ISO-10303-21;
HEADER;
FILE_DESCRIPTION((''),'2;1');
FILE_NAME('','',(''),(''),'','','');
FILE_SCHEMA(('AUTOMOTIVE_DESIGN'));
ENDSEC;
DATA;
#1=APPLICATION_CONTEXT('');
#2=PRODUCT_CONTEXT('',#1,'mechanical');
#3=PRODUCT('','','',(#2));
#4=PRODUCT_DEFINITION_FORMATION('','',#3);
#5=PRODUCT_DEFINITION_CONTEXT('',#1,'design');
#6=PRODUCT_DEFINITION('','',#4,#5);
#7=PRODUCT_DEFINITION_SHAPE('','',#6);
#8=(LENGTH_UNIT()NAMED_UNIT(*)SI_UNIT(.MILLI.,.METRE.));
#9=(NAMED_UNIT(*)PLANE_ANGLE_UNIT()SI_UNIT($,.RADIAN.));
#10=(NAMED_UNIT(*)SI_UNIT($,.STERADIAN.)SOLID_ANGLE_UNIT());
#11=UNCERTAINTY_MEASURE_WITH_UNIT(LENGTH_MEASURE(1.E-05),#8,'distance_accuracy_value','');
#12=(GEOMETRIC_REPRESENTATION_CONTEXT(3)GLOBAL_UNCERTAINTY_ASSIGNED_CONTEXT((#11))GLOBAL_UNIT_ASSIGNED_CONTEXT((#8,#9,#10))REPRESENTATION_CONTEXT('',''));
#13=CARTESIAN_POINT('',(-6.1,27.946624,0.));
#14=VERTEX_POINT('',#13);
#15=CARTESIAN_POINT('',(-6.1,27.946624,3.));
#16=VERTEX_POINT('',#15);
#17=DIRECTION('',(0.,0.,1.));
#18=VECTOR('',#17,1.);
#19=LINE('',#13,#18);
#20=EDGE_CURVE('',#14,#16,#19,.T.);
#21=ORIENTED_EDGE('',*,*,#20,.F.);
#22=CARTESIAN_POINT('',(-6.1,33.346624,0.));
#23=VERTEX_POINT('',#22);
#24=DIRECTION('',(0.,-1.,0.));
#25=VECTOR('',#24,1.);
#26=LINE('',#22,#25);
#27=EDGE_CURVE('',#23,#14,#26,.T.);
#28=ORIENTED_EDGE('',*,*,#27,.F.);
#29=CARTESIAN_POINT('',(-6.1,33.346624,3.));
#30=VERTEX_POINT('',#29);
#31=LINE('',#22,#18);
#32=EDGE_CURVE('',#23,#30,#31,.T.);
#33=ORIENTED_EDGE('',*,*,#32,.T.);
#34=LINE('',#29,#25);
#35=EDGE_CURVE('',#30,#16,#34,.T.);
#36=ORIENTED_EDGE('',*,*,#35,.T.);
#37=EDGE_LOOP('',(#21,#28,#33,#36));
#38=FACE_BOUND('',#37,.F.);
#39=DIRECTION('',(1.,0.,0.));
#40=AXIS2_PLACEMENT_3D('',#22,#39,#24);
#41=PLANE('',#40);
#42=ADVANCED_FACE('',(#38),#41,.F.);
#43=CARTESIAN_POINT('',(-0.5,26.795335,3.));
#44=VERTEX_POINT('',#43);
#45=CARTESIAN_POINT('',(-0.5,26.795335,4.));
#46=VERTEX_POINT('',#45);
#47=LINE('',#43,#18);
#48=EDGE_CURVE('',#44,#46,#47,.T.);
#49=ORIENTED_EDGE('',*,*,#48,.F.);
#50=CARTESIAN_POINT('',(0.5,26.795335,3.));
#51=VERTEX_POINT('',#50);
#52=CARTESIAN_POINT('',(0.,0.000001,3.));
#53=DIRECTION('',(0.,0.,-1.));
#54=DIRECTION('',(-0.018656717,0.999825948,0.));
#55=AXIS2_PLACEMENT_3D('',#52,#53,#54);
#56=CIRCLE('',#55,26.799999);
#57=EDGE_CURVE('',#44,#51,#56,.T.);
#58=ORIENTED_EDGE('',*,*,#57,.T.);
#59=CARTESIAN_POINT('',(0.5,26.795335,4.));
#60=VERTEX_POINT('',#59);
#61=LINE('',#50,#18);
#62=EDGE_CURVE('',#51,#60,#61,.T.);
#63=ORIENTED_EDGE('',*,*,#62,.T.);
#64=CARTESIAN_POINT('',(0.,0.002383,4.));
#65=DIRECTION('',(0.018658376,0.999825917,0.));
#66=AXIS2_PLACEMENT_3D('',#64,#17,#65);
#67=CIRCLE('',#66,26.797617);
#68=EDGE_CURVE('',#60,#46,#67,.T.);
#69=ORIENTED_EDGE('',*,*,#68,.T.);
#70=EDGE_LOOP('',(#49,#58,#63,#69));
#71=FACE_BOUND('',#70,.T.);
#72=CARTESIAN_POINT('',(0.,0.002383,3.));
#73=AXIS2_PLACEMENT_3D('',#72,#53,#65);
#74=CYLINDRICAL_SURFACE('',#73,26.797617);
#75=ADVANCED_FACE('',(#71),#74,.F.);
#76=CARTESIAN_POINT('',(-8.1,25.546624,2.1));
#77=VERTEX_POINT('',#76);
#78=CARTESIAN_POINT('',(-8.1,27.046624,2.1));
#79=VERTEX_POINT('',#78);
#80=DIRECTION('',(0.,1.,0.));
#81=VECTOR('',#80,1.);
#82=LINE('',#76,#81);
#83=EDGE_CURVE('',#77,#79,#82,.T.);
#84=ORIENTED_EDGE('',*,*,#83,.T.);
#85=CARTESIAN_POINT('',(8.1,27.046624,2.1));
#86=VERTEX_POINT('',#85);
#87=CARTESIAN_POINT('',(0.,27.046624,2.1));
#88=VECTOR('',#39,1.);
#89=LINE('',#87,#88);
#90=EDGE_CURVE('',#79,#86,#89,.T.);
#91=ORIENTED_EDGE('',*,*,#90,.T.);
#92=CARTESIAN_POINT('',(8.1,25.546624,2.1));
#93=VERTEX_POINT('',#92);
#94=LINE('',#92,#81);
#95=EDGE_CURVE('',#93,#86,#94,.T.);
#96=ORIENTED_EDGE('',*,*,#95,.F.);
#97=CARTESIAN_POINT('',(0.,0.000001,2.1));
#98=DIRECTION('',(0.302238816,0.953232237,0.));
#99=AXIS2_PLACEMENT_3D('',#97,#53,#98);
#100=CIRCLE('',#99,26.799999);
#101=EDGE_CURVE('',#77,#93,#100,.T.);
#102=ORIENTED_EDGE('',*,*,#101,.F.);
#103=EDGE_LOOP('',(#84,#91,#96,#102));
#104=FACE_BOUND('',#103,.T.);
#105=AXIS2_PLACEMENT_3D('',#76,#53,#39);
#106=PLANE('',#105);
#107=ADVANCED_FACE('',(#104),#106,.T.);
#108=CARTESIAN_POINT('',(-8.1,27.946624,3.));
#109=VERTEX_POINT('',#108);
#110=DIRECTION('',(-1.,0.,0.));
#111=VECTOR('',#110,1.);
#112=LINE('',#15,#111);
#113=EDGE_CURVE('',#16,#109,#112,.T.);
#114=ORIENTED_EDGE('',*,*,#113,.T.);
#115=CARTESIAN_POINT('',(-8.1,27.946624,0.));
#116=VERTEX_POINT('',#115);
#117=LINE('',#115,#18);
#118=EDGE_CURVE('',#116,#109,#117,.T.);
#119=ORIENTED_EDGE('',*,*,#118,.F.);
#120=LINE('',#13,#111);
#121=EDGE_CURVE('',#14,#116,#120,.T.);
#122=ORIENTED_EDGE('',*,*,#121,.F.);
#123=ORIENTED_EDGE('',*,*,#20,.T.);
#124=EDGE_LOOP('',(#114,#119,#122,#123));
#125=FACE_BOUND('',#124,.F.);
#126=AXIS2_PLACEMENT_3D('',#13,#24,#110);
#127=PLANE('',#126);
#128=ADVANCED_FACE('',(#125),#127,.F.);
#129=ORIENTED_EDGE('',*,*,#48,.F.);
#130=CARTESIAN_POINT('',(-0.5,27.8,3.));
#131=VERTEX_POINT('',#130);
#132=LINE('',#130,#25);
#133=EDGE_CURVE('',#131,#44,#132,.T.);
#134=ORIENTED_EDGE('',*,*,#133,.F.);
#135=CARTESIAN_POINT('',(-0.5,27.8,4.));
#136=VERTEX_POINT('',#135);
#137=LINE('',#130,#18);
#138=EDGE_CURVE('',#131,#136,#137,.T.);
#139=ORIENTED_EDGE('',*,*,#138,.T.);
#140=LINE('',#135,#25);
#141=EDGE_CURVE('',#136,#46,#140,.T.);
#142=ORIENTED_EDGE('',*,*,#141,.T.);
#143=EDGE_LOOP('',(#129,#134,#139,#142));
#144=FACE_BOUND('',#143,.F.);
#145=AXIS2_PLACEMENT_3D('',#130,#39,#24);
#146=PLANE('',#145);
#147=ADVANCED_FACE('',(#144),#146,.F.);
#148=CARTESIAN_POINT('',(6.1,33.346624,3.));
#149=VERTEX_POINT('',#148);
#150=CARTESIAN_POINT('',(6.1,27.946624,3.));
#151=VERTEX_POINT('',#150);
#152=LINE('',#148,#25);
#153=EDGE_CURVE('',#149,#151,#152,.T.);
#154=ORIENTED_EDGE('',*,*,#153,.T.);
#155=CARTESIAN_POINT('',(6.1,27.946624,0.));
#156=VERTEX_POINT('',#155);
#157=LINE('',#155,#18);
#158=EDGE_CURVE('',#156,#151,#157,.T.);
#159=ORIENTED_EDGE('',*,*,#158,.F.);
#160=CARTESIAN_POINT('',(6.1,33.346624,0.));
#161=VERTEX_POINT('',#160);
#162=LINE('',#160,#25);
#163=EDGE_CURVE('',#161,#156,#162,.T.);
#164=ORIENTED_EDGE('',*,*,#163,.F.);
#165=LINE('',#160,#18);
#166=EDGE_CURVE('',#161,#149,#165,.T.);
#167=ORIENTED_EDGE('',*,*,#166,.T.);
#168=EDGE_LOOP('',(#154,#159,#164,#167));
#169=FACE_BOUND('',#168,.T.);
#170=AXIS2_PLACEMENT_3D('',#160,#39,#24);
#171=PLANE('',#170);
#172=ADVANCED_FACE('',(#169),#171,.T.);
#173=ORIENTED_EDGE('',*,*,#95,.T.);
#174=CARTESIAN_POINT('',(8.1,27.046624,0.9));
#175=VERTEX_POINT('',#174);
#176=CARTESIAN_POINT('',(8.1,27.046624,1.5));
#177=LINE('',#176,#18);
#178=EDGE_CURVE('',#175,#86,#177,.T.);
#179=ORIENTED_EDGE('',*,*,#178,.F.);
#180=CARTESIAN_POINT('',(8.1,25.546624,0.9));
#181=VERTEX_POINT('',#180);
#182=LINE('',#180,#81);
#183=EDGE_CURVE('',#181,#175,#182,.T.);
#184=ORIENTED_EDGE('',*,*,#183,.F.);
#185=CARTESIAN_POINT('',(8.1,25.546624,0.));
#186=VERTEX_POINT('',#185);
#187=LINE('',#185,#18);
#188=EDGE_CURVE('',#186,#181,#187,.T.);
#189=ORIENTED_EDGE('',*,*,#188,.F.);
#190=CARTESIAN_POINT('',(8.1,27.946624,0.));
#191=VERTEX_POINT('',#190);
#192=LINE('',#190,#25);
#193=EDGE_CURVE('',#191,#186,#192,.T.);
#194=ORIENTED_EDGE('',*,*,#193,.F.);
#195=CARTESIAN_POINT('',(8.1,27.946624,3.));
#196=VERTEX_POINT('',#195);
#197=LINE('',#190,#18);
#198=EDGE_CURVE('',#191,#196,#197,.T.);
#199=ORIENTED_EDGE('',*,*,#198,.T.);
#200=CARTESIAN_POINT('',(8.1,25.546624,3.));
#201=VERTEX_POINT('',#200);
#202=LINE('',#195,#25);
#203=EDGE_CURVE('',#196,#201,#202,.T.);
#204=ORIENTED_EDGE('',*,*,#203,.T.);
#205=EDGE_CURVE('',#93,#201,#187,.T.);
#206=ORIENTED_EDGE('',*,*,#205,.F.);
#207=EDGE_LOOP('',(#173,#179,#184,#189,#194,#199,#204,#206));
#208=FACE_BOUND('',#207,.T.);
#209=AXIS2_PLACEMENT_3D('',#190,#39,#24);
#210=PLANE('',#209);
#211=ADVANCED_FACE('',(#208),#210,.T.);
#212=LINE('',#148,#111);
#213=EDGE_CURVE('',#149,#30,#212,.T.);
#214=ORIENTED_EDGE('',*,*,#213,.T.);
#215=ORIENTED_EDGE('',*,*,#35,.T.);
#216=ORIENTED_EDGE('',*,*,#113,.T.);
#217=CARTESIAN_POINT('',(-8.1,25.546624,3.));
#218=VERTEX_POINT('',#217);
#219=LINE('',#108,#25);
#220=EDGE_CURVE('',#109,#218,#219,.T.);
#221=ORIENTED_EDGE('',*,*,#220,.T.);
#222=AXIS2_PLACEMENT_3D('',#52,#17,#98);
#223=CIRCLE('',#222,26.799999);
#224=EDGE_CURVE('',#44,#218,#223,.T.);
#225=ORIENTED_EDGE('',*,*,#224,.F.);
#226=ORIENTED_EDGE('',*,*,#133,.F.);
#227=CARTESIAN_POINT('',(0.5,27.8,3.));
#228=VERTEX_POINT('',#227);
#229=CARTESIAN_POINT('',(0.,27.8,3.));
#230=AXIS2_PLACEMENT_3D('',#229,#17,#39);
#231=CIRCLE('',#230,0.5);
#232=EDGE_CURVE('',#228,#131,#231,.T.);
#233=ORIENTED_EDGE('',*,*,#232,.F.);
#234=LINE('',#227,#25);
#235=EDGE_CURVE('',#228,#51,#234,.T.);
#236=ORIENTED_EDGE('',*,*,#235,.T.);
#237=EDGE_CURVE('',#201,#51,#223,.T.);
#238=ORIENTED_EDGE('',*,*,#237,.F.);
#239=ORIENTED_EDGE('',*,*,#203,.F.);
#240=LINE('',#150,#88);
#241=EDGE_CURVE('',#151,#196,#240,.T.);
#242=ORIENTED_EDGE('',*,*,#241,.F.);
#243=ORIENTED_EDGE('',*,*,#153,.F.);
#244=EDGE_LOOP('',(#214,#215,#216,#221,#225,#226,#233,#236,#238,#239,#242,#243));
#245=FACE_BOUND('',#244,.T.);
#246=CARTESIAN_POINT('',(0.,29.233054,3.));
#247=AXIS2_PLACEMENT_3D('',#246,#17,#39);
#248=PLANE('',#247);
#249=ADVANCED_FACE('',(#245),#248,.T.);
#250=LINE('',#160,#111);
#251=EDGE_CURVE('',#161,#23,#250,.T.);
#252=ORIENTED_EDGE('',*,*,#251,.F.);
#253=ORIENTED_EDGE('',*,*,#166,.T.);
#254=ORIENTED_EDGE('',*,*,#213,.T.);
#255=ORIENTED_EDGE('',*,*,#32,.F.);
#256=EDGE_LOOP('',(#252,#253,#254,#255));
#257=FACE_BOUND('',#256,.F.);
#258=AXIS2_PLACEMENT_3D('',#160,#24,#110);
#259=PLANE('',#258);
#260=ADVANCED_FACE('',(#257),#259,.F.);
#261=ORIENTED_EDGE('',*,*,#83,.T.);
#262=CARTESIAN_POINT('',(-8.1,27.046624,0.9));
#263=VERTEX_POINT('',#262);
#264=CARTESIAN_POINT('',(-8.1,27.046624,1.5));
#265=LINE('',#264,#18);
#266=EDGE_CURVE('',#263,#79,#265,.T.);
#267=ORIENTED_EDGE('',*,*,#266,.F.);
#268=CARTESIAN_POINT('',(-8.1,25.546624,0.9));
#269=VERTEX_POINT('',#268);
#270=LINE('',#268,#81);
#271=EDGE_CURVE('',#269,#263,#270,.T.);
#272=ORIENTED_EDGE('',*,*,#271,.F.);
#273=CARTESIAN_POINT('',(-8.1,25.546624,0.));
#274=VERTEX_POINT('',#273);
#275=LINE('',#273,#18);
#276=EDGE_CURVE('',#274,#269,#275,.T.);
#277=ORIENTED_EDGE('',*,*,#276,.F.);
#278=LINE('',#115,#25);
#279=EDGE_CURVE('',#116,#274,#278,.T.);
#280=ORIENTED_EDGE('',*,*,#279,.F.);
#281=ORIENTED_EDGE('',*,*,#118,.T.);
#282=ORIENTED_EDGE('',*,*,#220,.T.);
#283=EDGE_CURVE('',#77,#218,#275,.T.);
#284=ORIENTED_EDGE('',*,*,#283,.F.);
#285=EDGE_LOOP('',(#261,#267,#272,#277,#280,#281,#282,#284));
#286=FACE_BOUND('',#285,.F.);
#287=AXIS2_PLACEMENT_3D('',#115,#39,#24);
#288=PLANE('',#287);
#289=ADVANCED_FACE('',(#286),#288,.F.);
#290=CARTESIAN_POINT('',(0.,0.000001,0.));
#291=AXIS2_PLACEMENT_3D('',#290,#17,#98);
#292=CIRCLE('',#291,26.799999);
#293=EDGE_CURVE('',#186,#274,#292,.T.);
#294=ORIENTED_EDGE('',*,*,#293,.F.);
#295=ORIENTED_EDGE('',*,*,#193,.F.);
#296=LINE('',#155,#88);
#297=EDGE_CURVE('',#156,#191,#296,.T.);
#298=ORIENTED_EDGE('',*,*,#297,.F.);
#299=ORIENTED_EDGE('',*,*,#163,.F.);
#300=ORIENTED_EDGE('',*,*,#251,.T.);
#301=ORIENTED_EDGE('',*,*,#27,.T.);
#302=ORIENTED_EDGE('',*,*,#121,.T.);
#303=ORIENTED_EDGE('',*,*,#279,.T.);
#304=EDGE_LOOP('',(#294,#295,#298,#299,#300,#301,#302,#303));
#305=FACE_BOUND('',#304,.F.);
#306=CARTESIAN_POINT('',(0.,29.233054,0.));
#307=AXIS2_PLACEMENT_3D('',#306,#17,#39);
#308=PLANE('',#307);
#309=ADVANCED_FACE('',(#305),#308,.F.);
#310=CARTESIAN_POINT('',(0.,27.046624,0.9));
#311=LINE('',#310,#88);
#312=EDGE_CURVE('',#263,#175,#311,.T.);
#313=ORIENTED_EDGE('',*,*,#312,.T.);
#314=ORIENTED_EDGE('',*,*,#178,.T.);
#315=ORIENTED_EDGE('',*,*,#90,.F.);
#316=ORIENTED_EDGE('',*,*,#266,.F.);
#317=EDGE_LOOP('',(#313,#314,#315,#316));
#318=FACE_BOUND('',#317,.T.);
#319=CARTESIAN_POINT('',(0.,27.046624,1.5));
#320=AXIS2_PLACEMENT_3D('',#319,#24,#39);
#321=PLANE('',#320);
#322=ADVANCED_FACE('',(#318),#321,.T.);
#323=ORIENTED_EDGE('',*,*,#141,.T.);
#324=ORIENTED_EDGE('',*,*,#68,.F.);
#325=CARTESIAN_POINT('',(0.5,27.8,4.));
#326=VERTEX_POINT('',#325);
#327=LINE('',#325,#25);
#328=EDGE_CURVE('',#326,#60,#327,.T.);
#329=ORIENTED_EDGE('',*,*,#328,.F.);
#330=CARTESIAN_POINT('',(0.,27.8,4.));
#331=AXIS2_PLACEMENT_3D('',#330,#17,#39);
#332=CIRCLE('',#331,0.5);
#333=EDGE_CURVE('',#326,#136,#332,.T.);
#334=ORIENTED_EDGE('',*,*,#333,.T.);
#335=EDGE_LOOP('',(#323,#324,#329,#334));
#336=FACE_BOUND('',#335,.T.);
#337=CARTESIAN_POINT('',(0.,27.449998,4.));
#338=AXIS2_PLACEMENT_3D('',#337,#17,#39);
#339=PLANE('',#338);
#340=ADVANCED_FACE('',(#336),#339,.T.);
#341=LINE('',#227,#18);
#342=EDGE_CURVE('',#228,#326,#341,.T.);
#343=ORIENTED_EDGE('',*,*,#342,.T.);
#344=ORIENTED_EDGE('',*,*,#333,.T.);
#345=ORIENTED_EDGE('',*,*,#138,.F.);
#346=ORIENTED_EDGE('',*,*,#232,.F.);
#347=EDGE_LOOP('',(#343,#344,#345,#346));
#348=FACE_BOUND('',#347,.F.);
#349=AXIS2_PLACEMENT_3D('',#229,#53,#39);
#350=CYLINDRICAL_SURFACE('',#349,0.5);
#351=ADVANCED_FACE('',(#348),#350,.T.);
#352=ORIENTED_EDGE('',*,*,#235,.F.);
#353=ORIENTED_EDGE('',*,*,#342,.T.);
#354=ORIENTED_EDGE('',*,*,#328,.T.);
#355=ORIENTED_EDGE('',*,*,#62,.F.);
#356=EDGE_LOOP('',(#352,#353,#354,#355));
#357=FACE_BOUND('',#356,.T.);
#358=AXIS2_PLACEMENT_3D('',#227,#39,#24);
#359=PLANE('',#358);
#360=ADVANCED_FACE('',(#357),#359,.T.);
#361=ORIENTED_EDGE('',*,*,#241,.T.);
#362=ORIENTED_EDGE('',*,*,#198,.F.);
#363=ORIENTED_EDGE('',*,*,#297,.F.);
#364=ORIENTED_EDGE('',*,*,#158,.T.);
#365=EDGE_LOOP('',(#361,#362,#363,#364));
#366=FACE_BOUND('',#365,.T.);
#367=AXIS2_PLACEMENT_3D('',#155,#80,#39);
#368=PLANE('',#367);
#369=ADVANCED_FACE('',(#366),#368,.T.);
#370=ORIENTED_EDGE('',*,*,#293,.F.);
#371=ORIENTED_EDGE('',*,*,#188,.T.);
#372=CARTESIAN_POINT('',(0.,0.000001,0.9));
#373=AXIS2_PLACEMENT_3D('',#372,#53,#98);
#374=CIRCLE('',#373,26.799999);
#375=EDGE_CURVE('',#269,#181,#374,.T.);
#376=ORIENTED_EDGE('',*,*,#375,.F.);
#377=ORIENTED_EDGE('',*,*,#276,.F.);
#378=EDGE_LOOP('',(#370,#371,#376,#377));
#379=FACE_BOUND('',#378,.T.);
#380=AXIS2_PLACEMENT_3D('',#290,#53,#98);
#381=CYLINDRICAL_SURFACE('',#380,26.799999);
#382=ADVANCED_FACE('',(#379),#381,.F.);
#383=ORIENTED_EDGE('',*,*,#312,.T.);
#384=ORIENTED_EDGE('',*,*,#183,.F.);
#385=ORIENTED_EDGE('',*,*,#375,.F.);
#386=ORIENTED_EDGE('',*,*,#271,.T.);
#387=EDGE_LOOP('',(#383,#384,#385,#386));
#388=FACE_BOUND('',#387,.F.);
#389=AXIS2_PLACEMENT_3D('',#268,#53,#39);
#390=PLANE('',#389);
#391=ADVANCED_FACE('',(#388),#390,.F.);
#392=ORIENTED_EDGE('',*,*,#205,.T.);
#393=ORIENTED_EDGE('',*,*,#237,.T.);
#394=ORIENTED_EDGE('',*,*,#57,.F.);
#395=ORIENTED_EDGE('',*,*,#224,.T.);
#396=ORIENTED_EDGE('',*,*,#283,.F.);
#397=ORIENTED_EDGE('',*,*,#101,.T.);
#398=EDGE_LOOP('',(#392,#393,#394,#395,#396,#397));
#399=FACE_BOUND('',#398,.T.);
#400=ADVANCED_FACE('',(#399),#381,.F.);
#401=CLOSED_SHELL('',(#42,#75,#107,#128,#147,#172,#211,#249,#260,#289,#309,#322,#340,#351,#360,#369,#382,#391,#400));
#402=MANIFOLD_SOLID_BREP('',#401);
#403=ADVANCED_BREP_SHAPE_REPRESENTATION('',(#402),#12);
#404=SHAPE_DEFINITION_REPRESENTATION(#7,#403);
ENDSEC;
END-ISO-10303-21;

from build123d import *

# Parameters (mm, degrees)
PAD_DEPTH    = 3
SKETCH001_W  = 16.2
SKETCH001_H  = 1.2
POCKET_DEPTH = 1.5
PAD001_DEPTH = 1


with BuildPart() as part:
    # Sketch → Pad (new body)
    with BuildSketch(Plane.XY):
        with BuildLine():
            Line((6.1, 33.346624), (-6.1, 33.346624))
            Line((-6.1, 33.346624), (-6.1, 27.946624))
            Line((-6.1, 27.946624), (-8.1, 27.946624))
            Line((-8.1, 27.946624), (-8.1, 25.546624))
            ThreePointArc((8.1, 25.546624), (0, 26.8), (-8.1, 25.546624))
            Line((8.1, 27.946624), (8.1, 25.546624))
            Line((6.1, 27.946624), (8.1, 27.946624))
            Line((6.1, 33.346624), (6.1, 27.946624))
        make_face()
    extrude(amount=PAD_DEPTH)

    # Sketch001 (on DatumPlane) → Pocket (cut)
    with BuildSketch(Plane(origin=(2.7, 25.546624, 1), x_dir=(1, 0, 0), z_dir=(0, -1, 0))):
        with Locations((-2.7, 0.5)):
            Rectangle(SKETCH001_W, SKETCH001_H)
    extrude(amount=-POCKET_DEPTH, mode=Mode.SUBTRACT)

    # Sketch002 (on Face5 of Pocket) → Pad001 (join)
    with BuildSketch(Plane.XY.offset(3)):
        with BuildLine():
            ThreePointArc((0.5, 27.8), (0, 28.3), (-0.5, 27.8))
            Line((-0.5, 27.8), (-0.5, 26.795335))
            ThreePointArc((0.5, 26.795335), (0, 26.8), (-0.5, 26.795335))
            Line((0.5, 27.8), (0.5, 26.795335))
        make_face()
    extrude(amount=PAD001_DEPTH)


solid = part.part
